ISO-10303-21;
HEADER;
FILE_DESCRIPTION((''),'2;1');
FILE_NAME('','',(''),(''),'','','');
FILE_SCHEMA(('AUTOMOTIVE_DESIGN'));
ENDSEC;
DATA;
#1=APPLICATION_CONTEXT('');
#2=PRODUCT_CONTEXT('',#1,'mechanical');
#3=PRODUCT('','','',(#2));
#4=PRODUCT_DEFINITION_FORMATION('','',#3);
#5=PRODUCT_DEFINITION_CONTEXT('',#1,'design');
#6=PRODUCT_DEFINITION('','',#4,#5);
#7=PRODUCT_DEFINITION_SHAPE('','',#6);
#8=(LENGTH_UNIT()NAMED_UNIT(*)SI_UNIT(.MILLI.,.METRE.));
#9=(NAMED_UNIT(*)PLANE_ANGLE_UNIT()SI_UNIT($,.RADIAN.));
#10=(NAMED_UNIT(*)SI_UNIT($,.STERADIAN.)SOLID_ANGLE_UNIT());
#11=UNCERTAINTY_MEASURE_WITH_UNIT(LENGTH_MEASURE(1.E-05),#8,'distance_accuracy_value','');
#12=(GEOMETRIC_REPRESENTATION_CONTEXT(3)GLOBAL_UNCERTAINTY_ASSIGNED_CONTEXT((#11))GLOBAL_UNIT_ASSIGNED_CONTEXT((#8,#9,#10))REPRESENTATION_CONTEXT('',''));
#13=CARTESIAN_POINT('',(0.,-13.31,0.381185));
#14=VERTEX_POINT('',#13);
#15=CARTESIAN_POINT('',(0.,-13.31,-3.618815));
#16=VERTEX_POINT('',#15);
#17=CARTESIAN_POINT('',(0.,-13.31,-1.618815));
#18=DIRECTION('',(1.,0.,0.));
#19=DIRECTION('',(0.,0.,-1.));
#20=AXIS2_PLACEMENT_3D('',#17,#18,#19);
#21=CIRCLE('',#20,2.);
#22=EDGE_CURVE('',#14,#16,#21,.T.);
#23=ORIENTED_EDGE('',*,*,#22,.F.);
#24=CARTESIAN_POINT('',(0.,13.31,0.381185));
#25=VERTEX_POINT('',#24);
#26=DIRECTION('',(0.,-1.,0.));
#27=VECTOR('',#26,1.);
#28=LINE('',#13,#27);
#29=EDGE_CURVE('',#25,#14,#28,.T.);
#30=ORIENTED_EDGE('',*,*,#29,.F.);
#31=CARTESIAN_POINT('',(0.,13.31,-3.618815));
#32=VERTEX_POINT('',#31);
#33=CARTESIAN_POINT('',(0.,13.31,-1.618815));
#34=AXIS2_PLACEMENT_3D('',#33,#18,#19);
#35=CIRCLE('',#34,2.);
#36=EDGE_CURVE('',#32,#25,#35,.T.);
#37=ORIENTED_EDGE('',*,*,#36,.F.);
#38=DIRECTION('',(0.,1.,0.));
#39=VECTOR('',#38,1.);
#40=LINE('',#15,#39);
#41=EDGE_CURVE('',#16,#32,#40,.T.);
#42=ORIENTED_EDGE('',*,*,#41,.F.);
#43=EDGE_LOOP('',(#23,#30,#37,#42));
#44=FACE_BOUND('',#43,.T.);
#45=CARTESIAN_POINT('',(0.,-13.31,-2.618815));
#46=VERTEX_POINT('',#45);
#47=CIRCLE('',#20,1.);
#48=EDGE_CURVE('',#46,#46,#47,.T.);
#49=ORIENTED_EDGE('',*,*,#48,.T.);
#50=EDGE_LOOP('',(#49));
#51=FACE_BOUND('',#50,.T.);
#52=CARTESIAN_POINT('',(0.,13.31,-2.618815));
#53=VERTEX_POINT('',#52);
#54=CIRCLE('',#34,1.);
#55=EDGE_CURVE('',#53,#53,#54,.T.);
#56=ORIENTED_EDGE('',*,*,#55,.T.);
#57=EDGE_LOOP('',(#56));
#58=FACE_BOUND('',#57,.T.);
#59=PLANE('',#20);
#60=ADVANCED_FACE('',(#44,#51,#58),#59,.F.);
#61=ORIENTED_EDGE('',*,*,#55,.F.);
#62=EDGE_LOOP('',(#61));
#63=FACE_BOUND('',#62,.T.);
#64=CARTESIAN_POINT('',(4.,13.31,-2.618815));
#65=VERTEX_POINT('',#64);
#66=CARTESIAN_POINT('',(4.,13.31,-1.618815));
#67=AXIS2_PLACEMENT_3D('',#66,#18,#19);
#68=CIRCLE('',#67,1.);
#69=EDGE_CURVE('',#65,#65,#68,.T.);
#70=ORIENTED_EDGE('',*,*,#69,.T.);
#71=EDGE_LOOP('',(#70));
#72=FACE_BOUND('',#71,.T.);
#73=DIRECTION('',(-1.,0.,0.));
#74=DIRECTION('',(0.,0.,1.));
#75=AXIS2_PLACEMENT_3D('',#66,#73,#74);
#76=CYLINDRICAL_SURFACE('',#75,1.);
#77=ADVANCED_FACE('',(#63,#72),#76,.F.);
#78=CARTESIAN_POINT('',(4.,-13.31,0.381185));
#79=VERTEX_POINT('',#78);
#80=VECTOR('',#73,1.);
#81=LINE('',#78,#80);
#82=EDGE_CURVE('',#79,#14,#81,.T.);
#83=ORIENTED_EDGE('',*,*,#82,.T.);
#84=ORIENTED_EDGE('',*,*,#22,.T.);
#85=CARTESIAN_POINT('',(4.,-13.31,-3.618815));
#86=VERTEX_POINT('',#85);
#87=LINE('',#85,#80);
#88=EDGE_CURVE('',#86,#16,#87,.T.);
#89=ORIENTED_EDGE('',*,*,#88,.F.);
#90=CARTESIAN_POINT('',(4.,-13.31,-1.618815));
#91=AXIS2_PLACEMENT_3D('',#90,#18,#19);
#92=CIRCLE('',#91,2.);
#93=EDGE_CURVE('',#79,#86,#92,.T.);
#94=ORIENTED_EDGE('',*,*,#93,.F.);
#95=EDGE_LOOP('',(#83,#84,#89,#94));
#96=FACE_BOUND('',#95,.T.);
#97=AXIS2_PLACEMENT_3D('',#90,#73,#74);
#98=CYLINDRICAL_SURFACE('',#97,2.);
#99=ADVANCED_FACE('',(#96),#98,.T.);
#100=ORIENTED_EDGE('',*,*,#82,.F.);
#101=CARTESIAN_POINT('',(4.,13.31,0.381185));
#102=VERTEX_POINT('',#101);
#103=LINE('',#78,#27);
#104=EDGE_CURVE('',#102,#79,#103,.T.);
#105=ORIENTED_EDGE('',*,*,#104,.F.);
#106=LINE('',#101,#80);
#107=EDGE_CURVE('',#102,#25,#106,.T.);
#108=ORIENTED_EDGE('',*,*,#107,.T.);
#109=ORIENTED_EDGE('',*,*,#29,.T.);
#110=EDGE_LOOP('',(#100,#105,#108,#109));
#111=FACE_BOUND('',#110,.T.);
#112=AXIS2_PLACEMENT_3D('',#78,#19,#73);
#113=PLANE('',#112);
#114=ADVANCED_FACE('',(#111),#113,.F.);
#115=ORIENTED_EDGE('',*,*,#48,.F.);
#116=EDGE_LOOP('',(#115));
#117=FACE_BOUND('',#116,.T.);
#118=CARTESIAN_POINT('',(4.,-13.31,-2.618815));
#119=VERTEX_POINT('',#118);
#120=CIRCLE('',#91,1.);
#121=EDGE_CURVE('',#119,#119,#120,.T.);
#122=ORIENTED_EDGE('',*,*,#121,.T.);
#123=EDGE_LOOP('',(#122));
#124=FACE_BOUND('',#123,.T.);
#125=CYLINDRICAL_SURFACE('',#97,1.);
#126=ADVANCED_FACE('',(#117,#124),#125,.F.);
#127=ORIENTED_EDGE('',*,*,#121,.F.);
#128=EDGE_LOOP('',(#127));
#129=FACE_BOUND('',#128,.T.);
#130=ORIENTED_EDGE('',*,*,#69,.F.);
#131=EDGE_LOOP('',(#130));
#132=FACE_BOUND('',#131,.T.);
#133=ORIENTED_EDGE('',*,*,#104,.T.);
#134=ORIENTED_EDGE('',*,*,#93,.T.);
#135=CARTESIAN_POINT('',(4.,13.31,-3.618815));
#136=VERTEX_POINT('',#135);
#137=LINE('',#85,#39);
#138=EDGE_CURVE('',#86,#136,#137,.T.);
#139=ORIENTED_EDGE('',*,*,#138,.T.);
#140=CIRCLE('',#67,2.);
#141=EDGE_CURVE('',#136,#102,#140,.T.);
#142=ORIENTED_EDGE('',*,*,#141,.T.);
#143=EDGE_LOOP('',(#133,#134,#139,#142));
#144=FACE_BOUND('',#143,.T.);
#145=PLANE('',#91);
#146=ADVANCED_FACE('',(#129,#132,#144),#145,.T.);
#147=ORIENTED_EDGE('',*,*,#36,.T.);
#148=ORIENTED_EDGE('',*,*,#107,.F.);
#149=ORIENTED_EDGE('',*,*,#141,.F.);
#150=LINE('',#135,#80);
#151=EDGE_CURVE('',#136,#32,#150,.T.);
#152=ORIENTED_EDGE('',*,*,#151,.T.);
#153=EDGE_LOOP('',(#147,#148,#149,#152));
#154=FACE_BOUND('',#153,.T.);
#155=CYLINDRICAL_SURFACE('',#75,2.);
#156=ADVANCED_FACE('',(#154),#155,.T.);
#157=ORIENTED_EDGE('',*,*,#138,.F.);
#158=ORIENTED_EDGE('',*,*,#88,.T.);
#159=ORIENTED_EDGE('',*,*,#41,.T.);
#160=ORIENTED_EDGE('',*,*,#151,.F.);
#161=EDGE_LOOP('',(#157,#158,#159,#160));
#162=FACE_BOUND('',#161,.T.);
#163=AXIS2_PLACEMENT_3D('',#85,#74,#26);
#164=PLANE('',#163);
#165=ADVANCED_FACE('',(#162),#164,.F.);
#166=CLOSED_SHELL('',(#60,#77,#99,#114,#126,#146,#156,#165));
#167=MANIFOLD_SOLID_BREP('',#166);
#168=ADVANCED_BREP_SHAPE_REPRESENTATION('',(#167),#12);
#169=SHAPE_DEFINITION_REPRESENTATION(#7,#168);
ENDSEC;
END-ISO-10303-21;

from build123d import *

# Parameters (mm, degrees)
SKETCH1_R           = 1
BOSS_EXTRUDE1_DEPTH = 4


with BuildPart() as part:
    # Sketch1 → Boss-Extrude1 (new body)
    with BuildSketch(Plane(origin=(0, 0, 0), x_dir=(0, 0, -1), z_dir=(1, 0, 0))):
        with BuildLine():
            Line((-0.38118507, -13.31), (-0.38118507, 13.31))
            ThreePointArc((-0.38118507, 13.31), (1.61881493, 15.31), (3.61881493, 13.31))
            Line((3.61881493, 13.31), (3.61881493, -13.31))
            ThreePointArc((3.61881493, -13.31), (1.61881493, -15.31), (-0.38118507, -13.31))
        make_face()
        with Locations((1.61881493, 13.31)):
            Circle(SKETCH1_R, mode=Mode.SUBTRACT)
        with Locations((1.61881493, -13.31)):
            Circle(SKETCH1_R, mode=Mode.SUBTRACT)
    extrude(amount=BOSS_EXTRUDE1_DEPTH)


solid = part.part
